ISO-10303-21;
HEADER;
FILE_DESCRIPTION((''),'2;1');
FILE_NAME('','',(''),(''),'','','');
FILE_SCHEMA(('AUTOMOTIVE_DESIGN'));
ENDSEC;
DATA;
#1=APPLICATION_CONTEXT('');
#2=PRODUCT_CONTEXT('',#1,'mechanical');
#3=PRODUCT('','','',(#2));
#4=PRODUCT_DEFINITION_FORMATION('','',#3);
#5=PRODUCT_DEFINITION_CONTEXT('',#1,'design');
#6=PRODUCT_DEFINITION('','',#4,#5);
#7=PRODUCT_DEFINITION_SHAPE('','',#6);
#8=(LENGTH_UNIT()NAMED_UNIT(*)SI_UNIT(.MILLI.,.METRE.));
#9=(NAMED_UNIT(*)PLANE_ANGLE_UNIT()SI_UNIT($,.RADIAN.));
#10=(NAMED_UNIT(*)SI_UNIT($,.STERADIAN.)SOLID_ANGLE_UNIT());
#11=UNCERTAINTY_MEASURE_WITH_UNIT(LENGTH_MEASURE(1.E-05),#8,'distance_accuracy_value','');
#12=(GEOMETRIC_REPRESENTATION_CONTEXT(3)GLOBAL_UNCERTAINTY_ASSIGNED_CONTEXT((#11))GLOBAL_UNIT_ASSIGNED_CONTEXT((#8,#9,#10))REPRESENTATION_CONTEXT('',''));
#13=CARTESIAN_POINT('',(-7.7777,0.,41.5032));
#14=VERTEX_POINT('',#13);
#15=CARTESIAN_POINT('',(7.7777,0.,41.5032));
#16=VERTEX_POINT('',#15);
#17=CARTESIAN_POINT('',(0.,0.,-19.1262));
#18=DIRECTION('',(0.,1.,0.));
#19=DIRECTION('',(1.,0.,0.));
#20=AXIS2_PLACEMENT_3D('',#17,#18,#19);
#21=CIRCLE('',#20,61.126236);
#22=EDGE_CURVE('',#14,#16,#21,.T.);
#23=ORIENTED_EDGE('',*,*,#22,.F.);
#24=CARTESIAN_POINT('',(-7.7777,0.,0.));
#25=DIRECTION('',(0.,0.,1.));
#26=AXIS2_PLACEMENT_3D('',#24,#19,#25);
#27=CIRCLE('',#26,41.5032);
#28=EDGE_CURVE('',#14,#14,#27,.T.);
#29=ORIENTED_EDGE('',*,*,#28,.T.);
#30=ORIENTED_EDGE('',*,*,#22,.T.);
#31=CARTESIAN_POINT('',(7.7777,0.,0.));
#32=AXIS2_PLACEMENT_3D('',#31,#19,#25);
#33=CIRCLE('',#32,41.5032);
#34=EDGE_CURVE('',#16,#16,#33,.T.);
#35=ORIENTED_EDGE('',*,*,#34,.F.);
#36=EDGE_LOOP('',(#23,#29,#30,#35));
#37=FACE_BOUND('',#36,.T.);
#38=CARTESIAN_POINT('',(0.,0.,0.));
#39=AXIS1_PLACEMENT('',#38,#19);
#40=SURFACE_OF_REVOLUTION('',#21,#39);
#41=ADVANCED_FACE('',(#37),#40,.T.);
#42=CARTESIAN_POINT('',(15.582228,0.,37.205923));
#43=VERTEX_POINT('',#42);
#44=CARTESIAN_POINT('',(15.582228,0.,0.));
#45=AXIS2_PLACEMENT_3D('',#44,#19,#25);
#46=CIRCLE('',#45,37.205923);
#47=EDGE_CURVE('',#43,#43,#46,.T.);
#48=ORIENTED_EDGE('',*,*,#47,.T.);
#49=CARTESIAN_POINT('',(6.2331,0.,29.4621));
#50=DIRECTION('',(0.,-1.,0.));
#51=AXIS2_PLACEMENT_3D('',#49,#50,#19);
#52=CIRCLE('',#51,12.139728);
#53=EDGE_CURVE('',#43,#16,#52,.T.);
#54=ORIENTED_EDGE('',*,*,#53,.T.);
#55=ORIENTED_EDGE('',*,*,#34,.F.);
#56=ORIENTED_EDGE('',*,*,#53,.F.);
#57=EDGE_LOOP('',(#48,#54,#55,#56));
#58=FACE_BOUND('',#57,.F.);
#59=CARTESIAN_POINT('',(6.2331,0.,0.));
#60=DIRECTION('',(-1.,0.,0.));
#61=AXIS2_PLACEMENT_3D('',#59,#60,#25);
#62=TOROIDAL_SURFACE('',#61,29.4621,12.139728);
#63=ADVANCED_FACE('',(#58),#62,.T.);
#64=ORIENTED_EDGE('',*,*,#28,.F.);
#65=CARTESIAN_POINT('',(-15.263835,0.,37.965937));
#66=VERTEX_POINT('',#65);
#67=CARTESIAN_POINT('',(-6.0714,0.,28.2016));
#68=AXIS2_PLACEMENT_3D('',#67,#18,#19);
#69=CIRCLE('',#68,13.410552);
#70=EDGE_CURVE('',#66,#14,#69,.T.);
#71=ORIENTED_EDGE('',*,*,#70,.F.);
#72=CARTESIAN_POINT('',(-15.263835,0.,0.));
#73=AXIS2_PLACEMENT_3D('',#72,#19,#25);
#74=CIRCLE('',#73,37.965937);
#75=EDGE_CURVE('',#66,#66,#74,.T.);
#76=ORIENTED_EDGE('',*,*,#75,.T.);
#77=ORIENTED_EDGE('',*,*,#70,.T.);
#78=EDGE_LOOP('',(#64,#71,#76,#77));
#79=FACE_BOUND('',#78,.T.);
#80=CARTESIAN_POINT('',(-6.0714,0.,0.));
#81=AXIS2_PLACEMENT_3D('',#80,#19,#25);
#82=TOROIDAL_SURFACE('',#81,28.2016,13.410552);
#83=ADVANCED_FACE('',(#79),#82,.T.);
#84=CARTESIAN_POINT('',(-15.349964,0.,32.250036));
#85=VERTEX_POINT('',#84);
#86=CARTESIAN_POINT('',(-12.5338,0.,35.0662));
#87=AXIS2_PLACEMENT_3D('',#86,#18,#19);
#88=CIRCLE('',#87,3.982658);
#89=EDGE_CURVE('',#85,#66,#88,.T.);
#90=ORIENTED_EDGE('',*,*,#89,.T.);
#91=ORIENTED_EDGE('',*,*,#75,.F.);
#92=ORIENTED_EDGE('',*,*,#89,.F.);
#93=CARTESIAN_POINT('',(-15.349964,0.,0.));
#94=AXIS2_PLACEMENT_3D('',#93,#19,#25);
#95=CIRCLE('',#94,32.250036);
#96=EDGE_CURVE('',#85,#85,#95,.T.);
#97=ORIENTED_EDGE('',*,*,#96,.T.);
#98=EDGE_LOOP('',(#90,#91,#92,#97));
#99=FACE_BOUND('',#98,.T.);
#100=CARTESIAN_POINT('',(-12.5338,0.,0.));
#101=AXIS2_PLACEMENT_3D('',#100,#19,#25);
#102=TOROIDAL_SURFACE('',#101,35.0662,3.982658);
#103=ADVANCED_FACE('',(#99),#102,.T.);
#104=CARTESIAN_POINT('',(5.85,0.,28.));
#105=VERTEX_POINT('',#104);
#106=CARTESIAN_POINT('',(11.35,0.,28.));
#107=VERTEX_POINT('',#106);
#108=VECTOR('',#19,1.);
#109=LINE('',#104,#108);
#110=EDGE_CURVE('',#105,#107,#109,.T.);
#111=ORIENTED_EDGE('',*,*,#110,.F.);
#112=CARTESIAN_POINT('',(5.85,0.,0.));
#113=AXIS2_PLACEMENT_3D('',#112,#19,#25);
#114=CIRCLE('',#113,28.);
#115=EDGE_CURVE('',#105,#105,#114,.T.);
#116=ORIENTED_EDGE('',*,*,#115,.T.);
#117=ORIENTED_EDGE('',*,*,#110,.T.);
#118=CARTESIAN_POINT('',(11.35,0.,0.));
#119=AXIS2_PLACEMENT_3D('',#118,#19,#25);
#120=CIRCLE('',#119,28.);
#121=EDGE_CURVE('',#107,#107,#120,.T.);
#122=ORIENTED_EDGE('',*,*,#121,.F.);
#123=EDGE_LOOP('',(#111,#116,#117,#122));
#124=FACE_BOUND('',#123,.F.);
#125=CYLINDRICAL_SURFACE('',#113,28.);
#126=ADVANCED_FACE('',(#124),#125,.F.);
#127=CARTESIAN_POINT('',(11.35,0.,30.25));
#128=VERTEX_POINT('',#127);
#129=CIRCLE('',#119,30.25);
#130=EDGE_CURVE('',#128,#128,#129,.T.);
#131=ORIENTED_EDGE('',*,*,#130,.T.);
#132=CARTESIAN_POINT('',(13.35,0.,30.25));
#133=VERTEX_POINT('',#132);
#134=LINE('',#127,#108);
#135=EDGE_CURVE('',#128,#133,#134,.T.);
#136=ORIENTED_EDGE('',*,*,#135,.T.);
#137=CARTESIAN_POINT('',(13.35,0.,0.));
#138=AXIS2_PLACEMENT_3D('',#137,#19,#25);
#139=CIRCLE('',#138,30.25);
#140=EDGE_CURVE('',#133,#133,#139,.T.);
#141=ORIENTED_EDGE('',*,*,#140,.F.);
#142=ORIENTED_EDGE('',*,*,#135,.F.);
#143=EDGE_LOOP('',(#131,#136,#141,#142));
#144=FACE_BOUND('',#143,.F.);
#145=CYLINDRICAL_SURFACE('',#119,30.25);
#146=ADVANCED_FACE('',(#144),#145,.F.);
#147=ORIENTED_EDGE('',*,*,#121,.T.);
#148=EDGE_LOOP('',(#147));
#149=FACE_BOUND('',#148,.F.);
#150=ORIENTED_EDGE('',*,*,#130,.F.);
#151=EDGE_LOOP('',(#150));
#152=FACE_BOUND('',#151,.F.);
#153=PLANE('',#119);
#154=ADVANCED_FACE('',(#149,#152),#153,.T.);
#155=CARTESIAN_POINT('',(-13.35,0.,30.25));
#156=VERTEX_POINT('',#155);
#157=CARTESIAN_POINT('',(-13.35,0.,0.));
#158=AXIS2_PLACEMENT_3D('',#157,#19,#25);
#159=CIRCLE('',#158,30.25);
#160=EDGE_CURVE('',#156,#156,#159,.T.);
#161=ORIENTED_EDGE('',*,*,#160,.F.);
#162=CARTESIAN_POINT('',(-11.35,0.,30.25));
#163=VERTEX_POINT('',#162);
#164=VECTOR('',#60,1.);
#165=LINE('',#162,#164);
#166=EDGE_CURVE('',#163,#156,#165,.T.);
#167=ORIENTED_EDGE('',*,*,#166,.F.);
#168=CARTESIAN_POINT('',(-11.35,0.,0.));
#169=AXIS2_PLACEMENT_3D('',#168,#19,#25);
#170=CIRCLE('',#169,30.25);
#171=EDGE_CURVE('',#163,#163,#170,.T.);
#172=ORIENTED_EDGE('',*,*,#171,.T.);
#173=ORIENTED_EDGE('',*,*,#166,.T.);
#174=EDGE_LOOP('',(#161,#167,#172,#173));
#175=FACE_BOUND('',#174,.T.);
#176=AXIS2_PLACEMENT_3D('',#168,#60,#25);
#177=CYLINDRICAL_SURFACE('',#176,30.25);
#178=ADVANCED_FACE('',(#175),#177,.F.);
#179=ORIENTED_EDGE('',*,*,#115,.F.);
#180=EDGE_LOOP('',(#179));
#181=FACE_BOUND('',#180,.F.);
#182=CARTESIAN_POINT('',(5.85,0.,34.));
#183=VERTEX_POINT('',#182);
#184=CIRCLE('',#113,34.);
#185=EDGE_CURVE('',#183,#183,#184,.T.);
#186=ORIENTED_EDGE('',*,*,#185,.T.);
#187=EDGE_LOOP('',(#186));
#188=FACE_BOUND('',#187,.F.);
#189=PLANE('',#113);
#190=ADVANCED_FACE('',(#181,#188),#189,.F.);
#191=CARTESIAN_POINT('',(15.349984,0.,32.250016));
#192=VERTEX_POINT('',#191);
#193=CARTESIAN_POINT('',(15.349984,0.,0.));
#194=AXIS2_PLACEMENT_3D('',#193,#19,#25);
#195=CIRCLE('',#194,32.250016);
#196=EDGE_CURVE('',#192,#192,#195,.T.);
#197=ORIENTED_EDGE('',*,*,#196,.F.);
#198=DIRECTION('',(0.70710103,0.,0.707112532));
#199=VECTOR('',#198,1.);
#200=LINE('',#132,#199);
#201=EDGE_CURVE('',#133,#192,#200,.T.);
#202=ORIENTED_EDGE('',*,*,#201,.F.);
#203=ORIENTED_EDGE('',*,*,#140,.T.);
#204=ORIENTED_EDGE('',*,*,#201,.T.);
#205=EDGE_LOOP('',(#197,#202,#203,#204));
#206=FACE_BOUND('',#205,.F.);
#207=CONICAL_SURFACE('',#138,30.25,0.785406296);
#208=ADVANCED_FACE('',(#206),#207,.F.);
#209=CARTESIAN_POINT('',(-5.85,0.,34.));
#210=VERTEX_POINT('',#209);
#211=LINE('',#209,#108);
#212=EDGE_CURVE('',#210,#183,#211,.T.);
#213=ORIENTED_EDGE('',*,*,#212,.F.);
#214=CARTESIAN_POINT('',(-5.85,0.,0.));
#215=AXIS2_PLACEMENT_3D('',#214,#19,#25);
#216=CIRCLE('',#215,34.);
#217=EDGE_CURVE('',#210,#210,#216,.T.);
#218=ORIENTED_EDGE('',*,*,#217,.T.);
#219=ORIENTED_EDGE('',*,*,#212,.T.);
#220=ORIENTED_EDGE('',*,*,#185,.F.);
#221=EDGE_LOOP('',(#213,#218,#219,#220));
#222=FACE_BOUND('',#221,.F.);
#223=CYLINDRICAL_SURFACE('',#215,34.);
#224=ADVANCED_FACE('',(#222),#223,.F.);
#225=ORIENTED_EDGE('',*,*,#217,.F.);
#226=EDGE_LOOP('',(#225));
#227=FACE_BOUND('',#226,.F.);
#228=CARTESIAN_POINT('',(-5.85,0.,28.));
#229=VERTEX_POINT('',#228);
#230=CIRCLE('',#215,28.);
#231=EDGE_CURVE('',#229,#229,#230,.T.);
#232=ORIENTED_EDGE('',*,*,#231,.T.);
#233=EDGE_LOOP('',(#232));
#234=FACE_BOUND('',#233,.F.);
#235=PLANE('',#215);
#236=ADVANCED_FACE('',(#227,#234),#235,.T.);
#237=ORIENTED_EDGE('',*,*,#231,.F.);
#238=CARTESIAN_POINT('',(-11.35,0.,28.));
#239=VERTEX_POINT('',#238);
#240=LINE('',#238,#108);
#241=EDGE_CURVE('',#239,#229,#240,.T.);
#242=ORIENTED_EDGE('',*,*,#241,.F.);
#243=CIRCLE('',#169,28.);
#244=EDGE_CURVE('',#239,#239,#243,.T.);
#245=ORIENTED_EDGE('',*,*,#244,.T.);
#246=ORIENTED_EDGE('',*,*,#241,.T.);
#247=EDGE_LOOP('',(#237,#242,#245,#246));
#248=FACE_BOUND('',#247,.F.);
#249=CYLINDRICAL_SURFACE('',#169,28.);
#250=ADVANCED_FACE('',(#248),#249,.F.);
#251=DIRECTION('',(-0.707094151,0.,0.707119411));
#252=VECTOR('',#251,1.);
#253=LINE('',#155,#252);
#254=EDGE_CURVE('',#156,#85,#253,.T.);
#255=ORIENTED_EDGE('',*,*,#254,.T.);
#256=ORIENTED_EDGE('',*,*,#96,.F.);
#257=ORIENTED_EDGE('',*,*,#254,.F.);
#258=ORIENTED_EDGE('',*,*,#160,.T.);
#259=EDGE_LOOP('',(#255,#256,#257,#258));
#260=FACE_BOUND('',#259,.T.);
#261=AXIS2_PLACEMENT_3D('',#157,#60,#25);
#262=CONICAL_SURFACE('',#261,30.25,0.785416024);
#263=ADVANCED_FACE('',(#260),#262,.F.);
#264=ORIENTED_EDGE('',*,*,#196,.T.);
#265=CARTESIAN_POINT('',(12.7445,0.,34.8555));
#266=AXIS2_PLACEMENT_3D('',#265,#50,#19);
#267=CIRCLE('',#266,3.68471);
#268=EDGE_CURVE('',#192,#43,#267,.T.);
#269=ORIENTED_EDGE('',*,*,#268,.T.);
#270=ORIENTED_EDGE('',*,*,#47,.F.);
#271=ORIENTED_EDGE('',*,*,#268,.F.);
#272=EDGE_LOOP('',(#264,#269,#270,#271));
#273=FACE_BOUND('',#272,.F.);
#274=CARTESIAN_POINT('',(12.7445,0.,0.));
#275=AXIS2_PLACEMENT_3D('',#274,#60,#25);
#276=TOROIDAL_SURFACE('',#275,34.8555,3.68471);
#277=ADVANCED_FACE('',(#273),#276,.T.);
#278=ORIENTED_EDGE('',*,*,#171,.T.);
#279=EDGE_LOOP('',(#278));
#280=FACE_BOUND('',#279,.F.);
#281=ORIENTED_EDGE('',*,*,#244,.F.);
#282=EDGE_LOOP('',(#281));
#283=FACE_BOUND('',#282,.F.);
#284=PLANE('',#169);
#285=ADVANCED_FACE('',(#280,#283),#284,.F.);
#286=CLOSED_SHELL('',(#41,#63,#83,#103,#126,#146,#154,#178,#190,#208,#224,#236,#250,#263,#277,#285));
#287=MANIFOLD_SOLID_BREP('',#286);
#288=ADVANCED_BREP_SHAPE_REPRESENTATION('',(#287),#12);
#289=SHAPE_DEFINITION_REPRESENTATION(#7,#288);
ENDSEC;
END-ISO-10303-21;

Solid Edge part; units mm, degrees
sketch "Sketch1" plane through (0, 0, 0) normal (0, -1, 0) x (1, 0, 0)
  arc A0 (-7.7777, 41.5032) -> (7.7777, 41.5032) centre (0, -19.1262) cw
  arc A1 (15.5822, 37.2059) -> (7.7777, 41.5032) centre (6.2331, 29.4621) ccw
  arc A2 (15.35, 32.25) -> (15.5822, 37.2059) centre (12.7445, 34.8555) ccw
  line L0 (13.35, 30.25) -> (15.35, 32.25)
  line L1 (11.35, 30.25) -> (13.35, 30.25)
  line L2 (11.35, 28) -> (11.35, 30.25)
  line L3 (5.85, 28) -> (11.35, 28)
  line L4 (5.85, 34) -> (5.85, 28)
  line L5 (-5.85, 34) -> (5.85, 34)
  line L6 (-5.85, 28) -> (-5.85, 34)
  line L7 (-11.35, 28) -> (-5.85, 28)
  line L8 (-11.35, 30.25) -> (-11.35, 28)
  line L9 (-11.35, 30.25) -> (-13.35, 30.25)
  line L10 (-13.35, 30.25) -> (-15.35, 32.25)
  arc A3 (-15.35, 32.25) -> (-15.2638, 37.9659) centre (-12.5338, 35.0662) cw
  arc A4 (-15.2638, 37.9659) -> (-7.7777, 41.5032) centre (-6.0714, 28.2016) cw
revolve "RevolvedProtrusion1" add sketch "Sketch1" angle 360 about axis through (0, 0, 0) along (1, 0, 0)
